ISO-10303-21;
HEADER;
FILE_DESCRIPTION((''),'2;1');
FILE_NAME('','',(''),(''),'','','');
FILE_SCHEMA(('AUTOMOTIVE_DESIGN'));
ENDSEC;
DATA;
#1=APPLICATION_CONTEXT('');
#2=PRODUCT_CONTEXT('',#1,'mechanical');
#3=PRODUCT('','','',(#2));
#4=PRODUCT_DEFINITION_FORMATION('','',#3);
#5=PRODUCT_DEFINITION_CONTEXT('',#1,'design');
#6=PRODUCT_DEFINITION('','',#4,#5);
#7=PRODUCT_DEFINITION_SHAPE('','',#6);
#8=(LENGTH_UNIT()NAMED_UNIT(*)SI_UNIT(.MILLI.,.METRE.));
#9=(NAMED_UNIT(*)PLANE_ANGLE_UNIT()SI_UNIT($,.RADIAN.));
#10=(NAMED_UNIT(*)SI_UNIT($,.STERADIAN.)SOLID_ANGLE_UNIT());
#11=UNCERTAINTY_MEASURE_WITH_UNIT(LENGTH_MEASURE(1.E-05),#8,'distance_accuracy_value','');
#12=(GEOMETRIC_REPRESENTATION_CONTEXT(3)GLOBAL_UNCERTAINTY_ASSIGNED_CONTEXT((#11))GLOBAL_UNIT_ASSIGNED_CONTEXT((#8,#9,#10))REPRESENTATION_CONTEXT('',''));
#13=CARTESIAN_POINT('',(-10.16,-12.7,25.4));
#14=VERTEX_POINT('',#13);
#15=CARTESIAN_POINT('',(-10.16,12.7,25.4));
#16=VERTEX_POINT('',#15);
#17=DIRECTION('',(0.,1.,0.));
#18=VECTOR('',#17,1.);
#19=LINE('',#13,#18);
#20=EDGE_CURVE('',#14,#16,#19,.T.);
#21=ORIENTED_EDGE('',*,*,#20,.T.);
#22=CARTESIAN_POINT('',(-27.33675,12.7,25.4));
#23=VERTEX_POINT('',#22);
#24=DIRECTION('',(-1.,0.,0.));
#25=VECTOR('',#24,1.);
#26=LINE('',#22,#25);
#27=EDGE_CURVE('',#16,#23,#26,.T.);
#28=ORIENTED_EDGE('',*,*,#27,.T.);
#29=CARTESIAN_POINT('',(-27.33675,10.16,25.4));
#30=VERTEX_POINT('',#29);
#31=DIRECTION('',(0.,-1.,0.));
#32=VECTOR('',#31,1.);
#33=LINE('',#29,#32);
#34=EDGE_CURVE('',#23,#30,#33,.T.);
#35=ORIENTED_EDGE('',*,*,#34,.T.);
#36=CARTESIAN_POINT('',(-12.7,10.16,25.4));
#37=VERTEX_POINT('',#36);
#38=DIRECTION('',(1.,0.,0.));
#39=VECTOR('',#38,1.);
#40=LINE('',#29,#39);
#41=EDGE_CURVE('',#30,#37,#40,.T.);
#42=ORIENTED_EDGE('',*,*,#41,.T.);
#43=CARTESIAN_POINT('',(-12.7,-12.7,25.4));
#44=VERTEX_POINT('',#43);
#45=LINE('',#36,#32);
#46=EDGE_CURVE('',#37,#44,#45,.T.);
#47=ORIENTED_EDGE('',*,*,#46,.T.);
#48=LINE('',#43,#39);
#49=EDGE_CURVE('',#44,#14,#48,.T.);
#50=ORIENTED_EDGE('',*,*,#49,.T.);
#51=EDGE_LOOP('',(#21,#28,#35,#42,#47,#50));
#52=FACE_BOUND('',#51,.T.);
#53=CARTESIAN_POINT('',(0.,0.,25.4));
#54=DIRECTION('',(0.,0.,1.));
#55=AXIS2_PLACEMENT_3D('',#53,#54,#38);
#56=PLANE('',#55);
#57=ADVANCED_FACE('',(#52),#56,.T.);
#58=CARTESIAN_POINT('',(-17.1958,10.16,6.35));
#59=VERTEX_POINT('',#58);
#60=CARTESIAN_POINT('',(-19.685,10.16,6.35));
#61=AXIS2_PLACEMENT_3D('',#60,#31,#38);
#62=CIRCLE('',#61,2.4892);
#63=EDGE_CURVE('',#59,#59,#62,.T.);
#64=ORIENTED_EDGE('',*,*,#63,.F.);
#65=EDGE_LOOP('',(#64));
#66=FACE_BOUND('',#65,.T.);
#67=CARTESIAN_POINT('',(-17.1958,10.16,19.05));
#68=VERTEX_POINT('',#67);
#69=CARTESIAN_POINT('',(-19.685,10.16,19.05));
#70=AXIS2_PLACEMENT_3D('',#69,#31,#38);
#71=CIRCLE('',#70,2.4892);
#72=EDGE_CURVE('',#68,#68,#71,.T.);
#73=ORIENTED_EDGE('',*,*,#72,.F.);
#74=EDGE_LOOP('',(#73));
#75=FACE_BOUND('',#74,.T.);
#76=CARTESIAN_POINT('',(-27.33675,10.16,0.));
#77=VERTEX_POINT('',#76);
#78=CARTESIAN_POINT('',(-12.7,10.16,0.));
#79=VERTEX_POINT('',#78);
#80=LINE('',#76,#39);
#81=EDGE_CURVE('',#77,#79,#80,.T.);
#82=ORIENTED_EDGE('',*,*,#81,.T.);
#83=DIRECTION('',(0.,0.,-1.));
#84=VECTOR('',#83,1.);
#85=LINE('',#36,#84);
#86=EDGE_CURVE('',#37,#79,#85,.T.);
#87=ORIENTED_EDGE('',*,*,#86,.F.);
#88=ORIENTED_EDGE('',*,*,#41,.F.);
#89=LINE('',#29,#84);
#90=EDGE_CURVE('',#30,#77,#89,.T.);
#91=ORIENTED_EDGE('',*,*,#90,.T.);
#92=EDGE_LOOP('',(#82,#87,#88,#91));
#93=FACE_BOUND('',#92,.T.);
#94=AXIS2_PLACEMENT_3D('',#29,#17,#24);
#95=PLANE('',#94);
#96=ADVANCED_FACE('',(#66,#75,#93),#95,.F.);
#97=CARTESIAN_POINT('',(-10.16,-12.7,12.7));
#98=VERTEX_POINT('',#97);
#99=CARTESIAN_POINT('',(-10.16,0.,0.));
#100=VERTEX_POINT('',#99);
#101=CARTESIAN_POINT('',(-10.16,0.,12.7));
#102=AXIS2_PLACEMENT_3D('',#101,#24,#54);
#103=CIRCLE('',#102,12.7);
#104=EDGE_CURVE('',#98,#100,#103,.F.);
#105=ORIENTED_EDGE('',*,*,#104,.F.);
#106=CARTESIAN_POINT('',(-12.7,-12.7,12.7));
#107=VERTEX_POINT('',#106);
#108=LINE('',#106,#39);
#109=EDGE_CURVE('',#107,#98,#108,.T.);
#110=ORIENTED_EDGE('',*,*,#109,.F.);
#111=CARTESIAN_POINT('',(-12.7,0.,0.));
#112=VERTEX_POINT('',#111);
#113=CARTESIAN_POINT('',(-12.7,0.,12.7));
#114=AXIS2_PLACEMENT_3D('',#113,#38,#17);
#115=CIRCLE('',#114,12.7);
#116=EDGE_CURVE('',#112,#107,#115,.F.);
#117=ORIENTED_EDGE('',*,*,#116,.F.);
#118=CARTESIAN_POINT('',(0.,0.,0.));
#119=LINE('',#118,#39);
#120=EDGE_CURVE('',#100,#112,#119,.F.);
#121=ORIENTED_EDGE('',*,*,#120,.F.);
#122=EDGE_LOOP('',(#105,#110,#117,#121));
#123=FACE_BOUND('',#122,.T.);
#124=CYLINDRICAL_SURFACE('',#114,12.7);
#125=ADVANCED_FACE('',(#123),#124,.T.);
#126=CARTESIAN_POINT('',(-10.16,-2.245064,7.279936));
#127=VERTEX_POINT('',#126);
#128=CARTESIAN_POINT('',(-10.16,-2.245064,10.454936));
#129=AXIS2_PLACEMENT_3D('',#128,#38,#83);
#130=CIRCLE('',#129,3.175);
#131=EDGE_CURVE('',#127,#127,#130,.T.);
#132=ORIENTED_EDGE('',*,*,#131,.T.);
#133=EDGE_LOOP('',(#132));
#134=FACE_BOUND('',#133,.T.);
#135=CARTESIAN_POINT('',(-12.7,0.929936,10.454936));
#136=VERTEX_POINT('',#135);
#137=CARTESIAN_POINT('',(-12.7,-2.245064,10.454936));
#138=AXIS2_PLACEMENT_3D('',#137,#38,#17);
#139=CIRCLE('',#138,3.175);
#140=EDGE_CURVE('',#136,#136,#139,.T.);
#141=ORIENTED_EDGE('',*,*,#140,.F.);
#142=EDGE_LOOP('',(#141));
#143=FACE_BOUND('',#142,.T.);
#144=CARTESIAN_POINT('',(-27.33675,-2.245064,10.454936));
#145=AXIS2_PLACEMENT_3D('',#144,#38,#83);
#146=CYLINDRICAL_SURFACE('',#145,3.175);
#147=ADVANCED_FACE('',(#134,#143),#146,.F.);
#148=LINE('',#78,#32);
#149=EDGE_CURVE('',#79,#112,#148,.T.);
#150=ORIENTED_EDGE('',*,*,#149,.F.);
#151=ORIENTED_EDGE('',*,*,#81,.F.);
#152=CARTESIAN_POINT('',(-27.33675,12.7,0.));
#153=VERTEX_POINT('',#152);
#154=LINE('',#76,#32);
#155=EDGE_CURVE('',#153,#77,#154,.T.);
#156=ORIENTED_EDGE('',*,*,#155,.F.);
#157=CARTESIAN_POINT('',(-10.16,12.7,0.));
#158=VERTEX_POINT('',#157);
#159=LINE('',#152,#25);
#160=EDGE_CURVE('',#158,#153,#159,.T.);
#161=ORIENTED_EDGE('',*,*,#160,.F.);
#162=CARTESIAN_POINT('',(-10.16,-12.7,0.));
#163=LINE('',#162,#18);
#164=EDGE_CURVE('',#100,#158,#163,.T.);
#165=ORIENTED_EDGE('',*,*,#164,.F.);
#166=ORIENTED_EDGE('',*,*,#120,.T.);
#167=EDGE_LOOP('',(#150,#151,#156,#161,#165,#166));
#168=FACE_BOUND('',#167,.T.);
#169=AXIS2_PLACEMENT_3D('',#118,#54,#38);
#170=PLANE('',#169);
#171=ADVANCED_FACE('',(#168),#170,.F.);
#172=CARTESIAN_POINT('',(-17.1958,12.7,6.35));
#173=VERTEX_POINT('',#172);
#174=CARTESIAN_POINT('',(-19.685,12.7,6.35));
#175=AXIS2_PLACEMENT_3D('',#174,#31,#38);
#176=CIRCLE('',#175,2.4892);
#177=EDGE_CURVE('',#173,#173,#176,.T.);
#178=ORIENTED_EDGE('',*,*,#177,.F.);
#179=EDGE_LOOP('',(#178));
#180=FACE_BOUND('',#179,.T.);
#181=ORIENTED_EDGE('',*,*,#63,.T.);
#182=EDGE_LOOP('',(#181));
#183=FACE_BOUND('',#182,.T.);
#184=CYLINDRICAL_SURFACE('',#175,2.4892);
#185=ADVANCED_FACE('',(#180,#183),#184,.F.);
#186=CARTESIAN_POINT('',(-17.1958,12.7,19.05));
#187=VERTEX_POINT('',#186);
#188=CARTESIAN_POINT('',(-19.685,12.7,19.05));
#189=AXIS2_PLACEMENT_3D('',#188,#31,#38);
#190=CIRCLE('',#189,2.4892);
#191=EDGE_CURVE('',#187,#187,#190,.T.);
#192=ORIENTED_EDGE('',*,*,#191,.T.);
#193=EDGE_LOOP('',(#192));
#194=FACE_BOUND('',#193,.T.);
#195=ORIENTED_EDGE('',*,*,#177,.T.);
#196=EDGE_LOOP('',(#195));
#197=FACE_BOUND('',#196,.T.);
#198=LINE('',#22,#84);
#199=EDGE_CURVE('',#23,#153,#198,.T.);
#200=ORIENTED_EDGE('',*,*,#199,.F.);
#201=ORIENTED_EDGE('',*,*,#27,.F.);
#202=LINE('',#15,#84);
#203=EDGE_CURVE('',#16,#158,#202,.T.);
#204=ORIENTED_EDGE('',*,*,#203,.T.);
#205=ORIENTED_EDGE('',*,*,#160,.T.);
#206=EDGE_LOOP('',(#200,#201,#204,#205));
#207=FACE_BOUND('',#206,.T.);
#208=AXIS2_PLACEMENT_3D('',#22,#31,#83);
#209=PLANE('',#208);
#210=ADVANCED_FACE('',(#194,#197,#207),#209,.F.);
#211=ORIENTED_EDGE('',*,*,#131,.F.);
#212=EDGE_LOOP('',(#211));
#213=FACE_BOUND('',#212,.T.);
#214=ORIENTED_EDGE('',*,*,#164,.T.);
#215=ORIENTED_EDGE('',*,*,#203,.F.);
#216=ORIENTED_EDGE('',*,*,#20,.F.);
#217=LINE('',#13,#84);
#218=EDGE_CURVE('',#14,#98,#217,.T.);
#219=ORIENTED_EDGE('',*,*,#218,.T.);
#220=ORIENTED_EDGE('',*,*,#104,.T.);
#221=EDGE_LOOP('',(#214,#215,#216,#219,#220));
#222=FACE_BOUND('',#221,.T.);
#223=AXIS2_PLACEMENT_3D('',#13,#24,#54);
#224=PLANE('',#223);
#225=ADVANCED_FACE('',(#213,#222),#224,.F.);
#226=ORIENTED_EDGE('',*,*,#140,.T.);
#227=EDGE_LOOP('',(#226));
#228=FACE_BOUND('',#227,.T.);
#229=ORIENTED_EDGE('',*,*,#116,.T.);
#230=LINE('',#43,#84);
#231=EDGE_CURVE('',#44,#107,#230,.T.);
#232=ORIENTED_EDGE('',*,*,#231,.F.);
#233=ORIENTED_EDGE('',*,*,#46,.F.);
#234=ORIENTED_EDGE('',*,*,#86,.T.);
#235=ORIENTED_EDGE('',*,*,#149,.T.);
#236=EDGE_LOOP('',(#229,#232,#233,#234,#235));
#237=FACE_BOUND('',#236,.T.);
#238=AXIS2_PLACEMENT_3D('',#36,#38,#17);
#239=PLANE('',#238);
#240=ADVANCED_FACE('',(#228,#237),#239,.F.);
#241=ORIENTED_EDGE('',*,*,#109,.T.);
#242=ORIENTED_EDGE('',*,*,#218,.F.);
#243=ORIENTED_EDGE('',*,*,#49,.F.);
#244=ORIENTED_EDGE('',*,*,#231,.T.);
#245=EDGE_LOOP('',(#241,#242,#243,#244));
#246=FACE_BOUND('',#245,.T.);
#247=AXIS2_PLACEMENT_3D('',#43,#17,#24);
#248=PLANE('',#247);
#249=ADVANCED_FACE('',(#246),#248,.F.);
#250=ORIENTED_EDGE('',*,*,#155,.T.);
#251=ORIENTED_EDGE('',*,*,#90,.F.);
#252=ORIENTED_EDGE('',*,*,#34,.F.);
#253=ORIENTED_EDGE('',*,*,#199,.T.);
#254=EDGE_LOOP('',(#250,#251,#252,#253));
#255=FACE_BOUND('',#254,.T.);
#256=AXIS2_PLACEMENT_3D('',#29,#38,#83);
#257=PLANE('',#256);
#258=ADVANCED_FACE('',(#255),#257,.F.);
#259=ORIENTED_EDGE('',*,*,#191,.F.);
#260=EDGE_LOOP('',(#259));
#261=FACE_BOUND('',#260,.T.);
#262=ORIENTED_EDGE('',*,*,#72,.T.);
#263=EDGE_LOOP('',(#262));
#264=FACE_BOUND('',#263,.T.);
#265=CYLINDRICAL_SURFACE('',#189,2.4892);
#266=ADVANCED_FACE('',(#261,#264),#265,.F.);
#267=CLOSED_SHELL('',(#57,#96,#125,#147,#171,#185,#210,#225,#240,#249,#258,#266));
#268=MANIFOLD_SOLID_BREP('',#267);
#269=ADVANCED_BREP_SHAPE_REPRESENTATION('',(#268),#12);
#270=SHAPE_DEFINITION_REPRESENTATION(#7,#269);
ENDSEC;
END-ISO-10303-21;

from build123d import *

# Parameters (mm, degrees)
BOSS_EXTRUDE1_DEPTH = 25.4
FILLET1_R           = 12.7
SKETCH2_R           = 3.175
CUT_EXTRUDE1_DEPTH  = 18.17675
SKETCH3_R           = 2.4892
CUT_EXTRUDE2_DEPTH  = 3.54


with BuildPart() as part:
    # Sketch1 → Boss-Extrude1 (new body)
    with BuildSketch(Plane.XY):
        Polygon((-10.16, -12.7), (-10.16, 12.7), (-27.33675, 12.7), (-27.33675, 10.16), (-12.7, 10.16), (-12.7, -12.7), align=None)
    extrude(amount=BOSS_EXTRUDE1_DEPTH)

    # Fillet1
    fillet1_edges = [part.edges().sort_by_distance(p)[0] for p in [
        (-11.43, -12.7, 0),
    ]]
    fillet(fillet1_edges, radius=FILLET1_R)

    # Sketch2 → Cut-Extrude1 (cut, through all)
    with BuildSketch(Plane(origin=(-10.16, 0, 0), x_dir=(0, 0, -1), z_dir=(1, 0, 0))):
        with Locations((-10.45493597, -2.24506403)):
            Circle(SKETCH2_R)
    extrude(amount=-CUT_EXTRUDE1_DEPTH, mode=Mode.SUBTRACT)

    # Sketch3 → Cut-Extrude2 (cut, through all)
    with BuildSketch(Plane(origin=(-0.012018133, 10.16, 0), x_dir=(1, 0, 0), z_dir=(0, -1, 0))):
        with Locations((-19.672981867, 19.05)):
            Circle(SKETCH3_R)
        with Locations((-19.672981867, 6.35)):
            Circle(SKETCH3_R)
    extrude(amount=-CUT_EXTRUDE2_DEPTH, mode=Mode.SUBTRACT)


solid = part.part
